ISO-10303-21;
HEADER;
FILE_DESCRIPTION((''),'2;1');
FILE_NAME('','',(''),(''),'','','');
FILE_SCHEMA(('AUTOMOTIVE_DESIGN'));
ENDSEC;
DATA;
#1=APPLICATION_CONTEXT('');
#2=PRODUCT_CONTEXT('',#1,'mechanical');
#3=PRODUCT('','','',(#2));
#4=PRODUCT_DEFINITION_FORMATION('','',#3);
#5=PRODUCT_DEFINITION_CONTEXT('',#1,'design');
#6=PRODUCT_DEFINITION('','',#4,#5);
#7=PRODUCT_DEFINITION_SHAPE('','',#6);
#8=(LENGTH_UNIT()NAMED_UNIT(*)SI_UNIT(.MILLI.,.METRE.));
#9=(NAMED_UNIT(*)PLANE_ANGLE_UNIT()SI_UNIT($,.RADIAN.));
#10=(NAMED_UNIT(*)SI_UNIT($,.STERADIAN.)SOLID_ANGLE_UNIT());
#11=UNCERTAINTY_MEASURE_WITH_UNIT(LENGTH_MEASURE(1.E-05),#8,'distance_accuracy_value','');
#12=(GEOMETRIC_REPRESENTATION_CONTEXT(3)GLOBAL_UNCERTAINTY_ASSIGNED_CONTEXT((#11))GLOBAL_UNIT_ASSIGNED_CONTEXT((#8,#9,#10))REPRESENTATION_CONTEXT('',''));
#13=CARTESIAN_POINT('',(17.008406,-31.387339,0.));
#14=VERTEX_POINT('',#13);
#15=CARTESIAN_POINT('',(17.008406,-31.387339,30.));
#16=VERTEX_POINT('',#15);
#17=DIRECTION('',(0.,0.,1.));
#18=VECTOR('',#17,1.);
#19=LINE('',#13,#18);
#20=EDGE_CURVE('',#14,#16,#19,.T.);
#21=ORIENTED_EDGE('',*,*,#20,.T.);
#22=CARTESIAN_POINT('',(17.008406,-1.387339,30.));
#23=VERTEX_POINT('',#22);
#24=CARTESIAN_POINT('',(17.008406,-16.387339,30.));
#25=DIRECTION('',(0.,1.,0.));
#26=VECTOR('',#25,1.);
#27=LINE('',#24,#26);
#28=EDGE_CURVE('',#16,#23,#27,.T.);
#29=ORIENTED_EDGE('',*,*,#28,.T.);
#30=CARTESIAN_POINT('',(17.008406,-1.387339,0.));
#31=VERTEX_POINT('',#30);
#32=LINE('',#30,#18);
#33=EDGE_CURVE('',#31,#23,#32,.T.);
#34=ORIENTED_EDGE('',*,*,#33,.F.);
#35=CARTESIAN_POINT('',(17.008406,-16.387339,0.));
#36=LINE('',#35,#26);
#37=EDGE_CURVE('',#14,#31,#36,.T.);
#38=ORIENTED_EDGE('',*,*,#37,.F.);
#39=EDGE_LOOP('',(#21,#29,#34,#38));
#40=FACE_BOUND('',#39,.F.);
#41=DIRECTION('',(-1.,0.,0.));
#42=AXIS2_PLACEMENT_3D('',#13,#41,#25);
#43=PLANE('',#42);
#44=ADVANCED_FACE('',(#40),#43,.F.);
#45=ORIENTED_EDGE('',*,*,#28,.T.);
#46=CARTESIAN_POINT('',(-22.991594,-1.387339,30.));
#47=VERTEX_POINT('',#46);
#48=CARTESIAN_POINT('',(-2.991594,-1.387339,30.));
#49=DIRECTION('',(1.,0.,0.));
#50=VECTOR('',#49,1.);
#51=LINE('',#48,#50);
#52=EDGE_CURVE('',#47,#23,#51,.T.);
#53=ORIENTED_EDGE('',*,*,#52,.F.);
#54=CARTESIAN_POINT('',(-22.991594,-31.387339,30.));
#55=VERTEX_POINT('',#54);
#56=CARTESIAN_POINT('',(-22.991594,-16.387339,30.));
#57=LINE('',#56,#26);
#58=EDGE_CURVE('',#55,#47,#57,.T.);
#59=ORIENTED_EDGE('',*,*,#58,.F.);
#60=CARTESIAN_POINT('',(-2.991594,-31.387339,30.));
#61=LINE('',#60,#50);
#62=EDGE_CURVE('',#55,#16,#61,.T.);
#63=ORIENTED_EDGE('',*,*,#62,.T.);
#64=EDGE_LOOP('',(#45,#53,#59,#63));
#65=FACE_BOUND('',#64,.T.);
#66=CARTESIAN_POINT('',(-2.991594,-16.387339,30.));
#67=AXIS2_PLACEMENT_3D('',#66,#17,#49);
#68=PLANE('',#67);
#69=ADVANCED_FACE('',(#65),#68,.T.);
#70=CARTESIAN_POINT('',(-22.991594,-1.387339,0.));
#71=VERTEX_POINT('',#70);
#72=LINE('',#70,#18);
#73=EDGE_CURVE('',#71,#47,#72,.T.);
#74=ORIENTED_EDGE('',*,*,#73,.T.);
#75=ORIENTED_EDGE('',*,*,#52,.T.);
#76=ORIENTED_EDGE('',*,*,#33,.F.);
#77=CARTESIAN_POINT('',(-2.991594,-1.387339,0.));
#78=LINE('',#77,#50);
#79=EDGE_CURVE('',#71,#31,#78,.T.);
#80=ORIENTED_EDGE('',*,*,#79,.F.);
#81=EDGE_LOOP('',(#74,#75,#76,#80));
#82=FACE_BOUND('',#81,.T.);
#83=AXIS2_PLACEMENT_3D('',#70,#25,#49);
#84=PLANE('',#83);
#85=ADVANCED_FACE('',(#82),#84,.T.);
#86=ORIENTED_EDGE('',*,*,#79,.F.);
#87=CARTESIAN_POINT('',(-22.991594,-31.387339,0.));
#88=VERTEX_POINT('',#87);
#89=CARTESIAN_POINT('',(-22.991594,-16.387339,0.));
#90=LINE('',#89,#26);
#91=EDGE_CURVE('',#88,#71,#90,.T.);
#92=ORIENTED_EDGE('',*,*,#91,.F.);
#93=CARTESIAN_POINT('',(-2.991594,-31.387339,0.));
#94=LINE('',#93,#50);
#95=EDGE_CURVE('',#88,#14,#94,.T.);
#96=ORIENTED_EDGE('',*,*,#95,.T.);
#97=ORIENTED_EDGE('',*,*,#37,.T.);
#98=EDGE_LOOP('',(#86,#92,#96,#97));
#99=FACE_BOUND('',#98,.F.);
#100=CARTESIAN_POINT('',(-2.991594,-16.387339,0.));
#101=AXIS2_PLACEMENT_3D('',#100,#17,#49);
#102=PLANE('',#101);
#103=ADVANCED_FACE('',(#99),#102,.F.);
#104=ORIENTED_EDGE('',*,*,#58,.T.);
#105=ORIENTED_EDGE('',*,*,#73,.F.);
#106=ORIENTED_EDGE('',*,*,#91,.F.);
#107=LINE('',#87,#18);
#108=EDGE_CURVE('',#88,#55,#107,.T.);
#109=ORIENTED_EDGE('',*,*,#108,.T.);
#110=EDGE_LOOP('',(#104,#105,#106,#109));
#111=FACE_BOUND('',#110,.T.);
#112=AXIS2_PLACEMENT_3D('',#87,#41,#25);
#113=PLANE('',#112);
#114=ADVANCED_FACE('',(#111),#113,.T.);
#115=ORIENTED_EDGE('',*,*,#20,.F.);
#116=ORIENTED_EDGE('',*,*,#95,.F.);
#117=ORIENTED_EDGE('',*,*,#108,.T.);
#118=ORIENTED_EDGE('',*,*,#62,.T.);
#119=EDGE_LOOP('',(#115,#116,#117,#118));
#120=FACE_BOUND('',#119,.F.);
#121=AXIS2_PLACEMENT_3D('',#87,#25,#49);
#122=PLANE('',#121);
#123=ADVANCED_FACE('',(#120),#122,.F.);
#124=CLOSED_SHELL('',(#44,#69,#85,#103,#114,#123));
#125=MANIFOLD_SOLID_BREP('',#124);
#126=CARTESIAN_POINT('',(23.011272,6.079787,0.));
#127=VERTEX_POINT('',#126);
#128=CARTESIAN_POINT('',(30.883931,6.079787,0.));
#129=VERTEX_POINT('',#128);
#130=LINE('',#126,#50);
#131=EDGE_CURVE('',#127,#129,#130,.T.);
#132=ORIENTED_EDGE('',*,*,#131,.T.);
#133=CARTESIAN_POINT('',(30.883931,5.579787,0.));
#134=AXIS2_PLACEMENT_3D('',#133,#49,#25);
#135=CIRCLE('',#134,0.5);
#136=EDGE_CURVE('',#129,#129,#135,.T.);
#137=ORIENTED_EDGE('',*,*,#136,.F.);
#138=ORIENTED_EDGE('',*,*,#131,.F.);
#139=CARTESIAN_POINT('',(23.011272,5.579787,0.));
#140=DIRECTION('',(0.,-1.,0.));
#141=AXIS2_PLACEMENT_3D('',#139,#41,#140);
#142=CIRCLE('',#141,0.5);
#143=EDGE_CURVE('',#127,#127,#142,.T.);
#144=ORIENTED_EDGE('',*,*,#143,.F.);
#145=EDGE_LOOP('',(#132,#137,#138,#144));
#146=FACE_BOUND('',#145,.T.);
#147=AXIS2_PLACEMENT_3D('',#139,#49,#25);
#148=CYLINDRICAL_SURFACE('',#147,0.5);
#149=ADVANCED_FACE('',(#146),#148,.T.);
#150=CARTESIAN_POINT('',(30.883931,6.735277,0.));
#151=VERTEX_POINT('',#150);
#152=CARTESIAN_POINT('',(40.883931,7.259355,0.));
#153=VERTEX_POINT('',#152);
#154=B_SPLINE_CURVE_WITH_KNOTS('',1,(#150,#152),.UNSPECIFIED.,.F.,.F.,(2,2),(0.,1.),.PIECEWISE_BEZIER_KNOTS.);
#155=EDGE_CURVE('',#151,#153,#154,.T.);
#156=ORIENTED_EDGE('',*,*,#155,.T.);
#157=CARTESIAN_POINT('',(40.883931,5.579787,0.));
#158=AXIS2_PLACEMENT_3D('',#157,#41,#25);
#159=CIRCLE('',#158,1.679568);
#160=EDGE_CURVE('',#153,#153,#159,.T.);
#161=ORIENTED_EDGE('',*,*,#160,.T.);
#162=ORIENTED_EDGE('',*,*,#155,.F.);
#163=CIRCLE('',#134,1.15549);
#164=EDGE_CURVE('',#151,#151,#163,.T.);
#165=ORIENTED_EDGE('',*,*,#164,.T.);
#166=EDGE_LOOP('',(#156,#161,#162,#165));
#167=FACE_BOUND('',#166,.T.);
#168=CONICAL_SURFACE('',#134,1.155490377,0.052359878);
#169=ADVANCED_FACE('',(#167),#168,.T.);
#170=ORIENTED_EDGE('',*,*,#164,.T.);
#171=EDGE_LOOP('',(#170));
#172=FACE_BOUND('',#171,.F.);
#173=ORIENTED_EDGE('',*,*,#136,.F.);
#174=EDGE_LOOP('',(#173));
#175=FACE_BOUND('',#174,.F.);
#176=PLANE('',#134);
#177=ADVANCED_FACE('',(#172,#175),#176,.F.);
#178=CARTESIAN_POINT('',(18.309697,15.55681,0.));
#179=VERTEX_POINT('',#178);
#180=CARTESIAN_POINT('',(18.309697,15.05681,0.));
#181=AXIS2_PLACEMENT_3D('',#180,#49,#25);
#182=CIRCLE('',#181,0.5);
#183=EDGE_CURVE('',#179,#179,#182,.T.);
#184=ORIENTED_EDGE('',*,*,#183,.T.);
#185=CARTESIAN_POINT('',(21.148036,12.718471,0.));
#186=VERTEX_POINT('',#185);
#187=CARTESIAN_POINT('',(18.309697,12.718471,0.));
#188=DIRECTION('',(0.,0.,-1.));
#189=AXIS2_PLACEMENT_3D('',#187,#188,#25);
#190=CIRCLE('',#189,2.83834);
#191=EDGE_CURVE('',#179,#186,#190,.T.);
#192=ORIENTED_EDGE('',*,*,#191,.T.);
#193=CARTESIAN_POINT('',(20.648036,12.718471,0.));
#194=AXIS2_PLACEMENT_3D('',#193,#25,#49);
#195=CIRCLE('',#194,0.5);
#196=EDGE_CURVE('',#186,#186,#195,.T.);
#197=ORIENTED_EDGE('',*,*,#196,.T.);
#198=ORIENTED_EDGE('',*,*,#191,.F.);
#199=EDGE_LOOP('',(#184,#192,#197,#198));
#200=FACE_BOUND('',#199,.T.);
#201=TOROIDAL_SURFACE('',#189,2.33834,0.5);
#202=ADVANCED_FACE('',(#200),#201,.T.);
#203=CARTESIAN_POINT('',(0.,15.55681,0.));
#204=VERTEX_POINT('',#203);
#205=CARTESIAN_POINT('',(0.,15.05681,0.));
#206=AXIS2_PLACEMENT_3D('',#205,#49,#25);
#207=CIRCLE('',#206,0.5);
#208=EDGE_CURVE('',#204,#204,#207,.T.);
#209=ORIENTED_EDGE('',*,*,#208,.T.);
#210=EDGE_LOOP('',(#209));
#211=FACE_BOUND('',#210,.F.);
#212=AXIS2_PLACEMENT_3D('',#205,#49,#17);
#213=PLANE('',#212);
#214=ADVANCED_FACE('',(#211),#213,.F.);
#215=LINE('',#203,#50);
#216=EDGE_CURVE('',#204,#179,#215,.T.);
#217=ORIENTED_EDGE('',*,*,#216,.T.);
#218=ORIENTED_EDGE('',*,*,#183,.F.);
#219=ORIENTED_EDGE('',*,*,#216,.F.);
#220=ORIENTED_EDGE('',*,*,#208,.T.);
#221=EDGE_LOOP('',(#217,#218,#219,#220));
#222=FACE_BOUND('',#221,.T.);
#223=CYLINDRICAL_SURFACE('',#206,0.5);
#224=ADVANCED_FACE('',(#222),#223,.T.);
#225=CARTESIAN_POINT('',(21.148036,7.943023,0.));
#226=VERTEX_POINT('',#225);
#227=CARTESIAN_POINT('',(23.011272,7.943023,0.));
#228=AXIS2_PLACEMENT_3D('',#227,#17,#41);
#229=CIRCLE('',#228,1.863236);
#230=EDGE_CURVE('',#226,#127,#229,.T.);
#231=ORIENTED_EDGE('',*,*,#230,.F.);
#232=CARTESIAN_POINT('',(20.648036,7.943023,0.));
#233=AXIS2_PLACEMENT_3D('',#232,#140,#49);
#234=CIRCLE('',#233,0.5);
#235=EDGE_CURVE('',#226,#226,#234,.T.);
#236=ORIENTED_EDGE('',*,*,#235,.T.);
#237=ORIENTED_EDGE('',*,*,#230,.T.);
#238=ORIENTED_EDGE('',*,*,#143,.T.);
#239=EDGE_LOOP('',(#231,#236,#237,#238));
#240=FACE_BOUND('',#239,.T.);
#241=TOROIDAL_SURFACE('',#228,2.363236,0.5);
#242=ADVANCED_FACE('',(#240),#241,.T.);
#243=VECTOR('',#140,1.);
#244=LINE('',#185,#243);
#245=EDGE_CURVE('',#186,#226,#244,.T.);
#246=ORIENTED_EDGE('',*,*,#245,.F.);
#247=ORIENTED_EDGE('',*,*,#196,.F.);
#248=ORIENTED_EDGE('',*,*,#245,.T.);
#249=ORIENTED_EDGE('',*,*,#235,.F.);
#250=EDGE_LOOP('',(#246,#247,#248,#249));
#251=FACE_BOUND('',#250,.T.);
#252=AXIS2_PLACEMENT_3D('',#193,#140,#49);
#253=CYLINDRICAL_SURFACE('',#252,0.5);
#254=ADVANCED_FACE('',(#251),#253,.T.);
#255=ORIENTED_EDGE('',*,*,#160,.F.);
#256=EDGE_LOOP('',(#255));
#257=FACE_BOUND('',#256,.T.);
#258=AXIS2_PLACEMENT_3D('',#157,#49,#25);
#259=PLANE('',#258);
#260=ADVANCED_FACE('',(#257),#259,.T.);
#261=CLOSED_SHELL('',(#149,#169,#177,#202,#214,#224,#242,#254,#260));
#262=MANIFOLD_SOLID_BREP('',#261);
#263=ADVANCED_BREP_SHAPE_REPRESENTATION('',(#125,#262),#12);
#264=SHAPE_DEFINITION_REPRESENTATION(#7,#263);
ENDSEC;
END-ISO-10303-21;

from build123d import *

# Parameters (mm, degrees)
F0_W     = 40
F0_H     = 30
F1_DEPTH = 30
F3_R     = 0.5
F5_R     = 1.1554903768
F6_DEPTH = 10
F6_TAPER = -3


with BuildPart() as f1:
    # F0 (on Top) → F1 (new body)
    with BuildSketch(Plane.XY):
        with Locations((-2.9915943742, -16.3873385004)):
            Rectangle(F0_W, F0_H)
    extrude(amount=F1_DEPTH)


with BuildPart() as f4:
    # F4: sweep along a path in F2
    with BuildLine(Plane.XY) as f4_path:
        Line((0, 15.0568103418), (18.3096965775, 15.0568103418))
        ThreePointArc((18.3096965775, 15.0568103418), (19.9631523474, 14.3719265371), (20.6480361521, 12.7184707671))
        Line((20.6480361521, 12.7184707671), (20.6480361521, 7.9430229962))
        ThreePointArc((20.6480361521, 7.9430229962), (21.3402119965, 6.2719626852), (23.0112723075, 5.5797868408))
        Line((23.0112723075, 5.5797868408), (30.8839306235, 5.5797868408))
    # F3 (on Right) → F4 (sweep)
    with BuildSketch(Plane.YZ):
        with Locations((15.0568103418, 0)):
            Circle(F3_R)
    sweep(path=f4_path.line)

    # F5 (on face) → F6 (join)
    with BuildSketch(Plane.YZ.offset(30.8839306235)):
        with Locations((5.5797868408, 0)):
            Circle(F5_R)
    extrude(amount=F6_DEPTH, taper=F6_TAPER)


solid = Compound([f1.part, f4.part])
